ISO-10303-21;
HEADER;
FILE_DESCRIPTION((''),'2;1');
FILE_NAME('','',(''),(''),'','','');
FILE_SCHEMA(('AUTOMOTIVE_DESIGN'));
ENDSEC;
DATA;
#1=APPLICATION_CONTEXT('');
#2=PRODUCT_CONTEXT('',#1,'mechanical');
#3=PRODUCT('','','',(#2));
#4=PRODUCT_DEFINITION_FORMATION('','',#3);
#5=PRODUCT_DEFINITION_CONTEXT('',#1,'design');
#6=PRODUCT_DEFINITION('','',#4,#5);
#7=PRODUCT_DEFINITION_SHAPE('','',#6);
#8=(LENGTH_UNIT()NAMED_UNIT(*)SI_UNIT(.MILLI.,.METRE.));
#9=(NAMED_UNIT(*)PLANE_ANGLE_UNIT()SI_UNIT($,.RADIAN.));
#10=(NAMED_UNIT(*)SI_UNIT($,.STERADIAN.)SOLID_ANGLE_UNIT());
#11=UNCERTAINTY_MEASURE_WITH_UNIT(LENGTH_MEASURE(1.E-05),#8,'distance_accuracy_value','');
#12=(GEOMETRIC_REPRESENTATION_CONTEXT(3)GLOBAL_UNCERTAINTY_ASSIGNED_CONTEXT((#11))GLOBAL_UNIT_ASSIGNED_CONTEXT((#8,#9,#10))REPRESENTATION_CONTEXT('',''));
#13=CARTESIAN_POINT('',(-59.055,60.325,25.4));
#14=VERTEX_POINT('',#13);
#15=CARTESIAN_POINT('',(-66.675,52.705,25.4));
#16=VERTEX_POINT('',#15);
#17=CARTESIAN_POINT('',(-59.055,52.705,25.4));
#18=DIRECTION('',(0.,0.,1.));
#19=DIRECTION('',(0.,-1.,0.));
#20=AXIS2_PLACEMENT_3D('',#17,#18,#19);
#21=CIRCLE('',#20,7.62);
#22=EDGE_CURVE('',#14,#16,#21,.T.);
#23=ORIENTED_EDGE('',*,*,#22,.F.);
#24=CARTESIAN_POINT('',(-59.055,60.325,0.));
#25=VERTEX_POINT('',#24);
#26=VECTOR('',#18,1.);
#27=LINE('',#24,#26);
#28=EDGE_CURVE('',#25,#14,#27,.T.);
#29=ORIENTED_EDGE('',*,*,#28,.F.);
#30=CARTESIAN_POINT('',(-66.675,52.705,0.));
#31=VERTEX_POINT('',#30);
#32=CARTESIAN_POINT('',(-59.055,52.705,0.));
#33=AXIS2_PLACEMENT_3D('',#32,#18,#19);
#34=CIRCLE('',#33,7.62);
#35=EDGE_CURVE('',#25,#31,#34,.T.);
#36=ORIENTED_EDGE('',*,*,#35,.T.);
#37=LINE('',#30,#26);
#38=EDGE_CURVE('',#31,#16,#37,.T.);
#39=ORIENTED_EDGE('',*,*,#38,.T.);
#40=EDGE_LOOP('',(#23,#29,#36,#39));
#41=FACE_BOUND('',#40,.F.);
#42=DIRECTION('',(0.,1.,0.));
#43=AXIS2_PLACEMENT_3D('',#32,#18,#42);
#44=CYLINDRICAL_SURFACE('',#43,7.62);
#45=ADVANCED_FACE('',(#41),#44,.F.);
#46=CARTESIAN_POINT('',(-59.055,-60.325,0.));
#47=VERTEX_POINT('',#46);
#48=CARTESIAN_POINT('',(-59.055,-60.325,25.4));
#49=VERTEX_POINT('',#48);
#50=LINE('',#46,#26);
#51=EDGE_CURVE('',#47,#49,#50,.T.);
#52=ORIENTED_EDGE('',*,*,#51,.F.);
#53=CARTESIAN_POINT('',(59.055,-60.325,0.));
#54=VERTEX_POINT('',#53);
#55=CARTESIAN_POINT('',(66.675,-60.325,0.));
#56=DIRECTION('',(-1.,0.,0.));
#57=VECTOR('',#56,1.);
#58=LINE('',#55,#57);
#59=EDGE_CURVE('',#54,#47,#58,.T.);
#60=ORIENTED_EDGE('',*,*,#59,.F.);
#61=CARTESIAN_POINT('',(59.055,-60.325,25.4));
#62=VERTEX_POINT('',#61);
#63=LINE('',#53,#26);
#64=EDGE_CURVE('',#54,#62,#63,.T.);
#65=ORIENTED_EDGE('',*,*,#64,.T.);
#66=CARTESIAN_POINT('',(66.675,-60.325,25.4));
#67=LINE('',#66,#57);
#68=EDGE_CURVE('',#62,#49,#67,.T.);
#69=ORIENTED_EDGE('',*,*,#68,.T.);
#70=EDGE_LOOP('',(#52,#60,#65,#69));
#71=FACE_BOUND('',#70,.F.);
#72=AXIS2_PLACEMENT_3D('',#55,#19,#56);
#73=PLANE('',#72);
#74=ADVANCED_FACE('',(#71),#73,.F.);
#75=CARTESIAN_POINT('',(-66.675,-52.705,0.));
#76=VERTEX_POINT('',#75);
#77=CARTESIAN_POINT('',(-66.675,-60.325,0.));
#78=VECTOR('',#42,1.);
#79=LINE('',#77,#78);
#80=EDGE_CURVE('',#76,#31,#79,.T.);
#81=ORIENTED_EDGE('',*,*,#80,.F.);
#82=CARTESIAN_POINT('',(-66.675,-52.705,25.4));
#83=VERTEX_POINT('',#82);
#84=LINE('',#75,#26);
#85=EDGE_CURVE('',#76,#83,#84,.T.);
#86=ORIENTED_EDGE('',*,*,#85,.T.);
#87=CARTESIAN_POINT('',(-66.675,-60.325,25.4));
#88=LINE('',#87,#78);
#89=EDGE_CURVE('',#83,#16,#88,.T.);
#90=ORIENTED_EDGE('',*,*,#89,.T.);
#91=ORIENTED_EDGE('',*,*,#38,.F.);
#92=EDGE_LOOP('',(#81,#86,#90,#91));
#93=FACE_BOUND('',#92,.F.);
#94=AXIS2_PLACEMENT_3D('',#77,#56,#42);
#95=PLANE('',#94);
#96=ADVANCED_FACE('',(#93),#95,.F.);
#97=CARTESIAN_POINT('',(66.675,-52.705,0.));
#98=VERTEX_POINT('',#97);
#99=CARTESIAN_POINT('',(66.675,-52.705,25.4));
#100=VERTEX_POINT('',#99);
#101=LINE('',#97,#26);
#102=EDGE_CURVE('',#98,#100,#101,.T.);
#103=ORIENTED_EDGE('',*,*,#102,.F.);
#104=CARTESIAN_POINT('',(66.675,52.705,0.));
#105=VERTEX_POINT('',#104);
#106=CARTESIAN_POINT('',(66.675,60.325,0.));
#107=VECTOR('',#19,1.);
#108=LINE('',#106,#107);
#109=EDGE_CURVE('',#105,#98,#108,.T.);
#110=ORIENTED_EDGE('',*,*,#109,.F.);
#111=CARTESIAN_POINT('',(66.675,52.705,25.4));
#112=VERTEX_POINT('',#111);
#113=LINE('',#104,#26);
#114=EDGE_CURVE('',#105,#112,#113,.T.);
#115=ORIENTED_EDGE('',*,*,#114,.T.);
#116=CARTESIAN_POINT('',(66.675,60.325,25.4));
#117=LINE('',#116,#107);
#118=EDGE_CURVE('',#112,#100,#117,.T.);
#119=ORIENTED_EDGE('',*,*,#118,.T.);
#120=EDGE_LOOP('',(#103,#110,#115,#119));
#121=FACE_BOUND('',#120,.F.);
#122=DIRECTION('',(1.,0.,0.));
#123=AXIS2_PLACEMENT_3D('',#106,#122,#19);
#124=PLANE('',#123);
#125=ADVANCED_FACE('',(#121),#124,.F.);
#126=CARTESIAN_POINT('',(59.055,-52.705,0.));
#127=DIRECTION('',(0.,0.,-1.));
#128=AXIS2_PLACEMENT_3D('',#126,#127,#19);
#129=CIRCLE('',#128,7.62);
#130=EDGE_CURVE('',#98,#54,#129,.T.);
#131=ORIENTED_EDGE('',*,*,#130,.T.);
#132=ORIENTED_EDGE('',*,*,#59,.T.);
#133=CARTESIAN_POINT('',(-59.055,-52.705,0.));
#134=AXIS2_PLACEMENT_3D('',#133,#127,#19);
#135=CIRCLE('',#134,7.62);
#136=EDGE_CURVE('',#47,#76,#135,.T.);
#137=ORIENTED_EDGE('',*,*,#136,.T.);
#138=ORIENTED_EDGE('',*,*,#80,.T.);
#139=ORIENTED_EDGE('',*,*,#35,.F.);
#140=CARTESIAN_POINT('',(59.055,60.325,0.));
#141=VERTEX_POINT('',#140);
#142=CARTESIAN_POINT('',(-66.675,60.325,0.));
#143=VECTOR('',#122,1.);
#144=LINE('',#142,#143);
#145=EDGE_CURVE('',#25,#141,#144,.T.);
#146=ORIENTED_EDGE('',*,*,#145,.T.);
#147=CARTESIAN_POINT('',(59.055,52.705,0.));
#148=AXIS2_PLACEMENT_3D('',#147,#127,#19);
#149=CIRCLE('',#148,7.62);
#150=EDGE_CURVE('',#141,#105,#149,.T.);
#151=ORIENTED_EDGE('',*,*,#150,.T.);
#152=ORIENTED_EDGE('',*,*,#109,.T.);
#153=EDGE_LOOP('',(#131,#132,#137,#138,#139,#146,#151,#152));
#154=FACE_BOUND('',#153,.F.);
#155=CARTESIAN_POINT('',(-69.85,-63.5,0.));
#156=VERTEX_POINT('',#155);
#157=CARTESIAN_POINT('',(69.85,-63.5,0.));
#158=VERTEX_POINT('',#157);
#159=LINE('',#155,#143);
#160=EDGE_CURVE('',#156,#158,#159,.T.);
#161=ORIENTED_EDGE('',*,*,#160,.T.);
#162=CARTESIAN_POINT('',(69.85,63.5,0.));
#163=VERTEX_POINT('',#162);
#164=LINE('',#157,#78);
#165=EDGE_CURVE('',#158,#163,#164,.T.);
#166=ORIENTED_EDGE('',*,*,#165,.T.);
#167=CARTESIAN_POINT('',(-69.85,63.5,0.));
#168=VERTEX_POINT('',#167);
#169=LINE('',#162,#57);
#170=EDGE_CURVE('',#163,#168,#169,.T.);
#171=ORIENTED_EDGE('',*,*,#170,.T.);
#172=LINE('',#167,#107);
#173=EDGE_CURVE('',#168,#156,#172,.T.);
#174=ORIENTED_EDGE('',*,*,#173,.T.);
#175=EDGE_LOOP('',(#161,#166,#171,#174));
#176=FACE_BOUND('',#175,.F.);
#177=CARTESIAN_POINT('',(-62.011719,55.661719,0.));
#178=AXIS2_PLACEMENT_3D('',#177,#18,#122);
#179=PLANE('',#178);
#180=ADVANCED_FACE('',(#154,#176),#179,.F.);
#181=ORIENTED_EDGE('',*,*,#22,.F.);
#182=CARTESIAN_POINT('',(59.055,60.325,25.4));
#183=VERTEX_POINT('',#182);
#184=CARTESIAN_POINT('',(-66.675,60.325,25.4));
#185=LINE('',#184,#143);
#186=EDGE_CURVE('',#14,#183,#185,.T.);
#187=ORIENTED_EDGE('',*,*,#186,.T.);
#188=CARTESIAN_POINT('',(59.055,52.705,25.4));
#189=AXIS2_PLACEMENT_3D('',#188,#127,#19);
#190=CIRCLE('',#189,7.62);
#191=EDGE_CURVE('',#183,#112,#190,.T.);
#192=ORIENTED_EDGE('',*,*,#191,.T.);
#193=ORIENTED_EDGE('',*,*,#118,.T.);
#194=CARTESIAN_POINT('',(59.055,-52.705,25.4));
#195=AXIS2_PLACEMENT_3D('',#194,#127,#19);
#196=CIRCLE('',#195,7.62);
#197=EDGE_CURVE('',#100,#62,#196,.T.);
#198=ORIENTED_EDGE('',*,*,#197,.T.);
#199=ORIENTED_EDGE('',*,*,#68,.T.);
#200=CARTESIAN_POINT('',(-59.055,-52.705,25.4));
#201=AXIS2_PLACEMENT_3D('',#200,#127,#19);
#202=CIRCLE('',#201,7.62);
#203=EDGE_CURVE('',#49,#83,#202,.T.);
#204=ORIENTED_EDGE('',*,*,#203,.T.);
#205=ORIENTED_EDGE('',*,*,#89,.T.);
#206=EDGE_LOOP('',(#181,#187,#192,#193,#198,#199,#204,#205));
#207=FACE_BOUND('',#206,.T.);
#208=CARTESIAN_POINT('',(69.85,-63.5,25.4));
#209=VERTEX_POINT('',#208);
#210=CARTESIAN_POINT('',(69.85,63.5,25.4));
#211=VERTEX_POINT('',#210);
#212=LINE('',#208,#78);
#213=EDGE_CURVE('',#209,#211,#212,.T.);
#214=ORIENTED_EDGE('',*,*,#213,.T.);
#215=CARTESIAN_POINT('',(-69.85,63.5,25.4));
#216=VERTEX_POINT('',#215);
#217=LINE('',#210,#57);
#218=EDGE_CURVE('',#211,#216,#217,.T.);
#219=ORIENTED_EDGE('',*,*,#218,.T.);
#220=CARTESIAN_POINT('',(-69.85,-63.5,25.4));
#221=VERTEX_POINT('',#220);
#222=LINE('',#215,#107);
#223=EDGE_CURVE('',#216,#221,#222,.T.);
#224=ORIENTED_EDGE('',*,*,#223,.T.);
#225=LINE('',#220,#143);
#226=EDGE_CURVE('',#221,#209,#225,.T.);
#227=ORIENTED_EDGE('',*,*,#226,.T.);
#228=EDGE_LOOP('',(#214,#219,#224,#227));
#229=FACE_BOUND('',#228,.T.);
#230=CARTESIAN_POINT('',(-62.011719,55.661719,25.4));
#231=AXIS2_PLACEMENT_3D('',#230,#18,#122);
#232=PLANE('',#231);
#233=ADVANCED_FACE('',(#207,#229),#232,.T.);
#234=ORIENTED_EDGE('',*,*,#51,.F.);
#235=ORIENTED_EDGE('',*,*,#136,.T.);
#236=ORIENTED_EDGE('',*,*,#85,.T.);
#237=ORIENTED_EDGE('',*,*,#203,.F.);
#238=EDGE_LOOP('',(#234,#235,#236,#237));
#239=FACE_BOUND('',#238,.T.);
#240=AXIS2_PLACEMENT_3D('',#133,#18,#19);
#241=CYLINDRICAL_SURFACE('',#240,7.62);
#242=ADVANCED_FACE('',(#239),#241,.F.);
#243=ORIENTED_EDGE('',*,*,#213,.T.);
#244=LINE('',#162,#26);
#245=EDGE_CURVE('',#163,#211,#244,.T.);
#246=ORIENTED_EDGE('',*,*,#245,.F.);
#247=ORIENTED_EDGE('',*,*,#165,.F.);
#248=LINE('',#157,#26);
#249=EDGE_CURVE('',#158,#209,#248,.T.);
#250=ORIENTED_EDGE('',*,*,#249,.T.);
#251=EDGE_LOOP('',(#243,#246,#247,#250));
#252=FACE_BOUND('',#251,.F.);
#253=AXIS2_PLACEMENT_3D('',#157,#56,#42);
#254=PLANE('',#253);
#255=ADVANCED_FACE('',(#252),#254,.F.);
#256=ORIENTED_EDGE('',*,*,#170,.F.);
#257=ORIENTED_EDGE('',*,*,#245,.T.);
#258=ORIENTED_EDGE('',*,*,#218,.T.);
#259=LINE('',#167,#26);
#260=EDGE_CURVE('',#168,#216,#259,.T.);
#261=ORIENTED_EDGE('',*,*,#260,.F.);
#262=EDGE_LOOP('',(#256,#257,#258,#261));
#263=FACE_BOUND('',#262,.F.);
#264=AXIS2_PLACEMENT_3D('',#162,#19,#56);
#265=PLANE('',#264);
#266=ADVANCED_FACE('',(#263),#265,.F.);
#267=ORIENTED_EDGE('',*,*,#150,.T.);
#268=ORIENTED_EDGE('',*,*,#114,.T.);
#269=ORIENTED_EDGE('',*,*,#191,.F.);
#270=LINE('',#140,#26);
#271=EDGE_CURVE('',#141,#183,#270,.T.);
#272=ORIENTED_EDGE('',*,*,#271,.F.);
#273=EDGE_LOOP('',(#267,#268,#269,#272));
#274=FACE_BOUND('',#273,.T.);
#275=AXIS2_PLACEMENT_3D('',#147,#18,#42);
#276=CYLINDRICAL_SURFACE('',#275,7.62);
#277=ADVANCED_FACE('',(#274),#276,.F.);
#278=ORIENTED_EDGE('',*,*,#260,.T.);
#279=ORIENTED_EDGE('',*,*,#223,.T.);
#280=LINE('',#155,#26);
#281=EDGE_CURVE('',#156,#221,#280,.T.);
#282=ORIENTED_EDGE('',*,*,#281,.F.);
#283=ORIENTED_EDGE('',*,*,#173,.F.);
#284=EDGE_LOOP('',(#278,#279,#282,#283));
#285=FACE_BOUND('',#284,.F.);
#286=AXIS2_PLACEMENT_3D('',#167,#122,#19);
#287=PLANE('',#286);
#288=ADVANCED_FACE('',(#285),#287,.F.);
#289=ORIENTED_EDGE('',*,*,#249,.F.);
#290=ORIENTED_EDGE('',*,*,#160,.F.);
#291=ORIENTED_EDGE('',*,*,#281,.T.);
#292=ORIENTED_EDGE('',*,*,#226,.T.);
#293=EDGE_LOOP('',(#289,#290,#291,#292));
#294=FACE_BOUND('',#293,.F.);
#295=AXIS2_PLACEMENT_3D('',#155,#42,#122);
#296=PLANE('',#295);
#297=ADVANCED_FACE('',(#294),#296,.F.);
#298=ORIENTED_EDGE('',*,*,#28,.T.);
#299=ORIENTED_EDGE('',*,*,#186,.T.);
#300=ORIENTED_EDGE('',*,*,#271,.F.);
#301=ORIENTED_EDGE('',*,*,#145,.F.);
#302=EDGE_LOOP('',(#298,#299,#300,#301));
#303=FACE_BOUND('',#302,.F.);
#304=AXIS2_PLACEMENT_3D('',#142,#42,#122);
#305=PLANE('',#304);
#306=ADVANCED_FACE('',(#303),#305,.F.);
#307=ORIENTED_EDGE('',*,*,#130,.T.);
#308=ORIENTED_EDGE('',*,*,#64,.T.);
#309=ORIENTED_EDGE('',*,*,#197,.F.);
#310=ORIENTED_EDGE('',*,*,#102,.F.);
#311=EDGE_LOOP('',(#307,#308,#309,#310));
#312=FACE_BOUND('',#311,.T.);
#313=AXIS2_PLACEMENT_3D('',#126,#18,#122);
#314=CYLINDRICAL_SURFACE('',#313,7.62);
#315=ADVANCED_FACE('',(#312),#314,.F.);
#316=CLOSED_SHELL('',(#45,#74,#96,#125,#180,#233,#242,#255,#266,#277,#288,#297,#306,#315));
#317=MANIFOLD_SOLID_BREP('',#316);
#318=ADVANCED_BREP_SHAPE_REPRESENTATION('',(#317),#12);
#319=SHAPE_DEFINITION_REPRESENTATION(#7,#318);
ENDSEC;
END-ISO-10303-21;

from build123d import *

# Parameters (mm, degrees)
F1_DEPTH = 25.4
F2_R     = 7.62


with BuildPart() as f1:
    # F0 (on Top) → F1 (new body)
    with BuildSketch(Plane.XY):
        Polygon((-44.45, 63.5), (-69.85, 63.5), (-69.85, 38.1), (-66.675, 38.1), (-66.675, 60.325), (-44.45, 60.325), align=None)
        Polygon((69.85, 63.5), (-44.45, 63.5), (-44.45, 60.325), (66.675, 60.325), (66.675, -60.325), (-66.675, -60.325), (-66.675, 38.1), (-69.85, 38.1), (-69.85, -63.5), (69.85, -63.5), align=None)
    extrude(amount=F1_DEPTH)

    # F2
    f2_edges = [f1.edges().sort_by_distance(p)[0] for p in [
        (66.675, 60.325, 12.7),
        (66.675, -60.325, 12.7),
        (-66.675, -60.325, 12.7),
        (-66.675, 60.325, 12.7),
    ]]
    fillet(f2_edges, radius=F2_R)


solid = f1.part
